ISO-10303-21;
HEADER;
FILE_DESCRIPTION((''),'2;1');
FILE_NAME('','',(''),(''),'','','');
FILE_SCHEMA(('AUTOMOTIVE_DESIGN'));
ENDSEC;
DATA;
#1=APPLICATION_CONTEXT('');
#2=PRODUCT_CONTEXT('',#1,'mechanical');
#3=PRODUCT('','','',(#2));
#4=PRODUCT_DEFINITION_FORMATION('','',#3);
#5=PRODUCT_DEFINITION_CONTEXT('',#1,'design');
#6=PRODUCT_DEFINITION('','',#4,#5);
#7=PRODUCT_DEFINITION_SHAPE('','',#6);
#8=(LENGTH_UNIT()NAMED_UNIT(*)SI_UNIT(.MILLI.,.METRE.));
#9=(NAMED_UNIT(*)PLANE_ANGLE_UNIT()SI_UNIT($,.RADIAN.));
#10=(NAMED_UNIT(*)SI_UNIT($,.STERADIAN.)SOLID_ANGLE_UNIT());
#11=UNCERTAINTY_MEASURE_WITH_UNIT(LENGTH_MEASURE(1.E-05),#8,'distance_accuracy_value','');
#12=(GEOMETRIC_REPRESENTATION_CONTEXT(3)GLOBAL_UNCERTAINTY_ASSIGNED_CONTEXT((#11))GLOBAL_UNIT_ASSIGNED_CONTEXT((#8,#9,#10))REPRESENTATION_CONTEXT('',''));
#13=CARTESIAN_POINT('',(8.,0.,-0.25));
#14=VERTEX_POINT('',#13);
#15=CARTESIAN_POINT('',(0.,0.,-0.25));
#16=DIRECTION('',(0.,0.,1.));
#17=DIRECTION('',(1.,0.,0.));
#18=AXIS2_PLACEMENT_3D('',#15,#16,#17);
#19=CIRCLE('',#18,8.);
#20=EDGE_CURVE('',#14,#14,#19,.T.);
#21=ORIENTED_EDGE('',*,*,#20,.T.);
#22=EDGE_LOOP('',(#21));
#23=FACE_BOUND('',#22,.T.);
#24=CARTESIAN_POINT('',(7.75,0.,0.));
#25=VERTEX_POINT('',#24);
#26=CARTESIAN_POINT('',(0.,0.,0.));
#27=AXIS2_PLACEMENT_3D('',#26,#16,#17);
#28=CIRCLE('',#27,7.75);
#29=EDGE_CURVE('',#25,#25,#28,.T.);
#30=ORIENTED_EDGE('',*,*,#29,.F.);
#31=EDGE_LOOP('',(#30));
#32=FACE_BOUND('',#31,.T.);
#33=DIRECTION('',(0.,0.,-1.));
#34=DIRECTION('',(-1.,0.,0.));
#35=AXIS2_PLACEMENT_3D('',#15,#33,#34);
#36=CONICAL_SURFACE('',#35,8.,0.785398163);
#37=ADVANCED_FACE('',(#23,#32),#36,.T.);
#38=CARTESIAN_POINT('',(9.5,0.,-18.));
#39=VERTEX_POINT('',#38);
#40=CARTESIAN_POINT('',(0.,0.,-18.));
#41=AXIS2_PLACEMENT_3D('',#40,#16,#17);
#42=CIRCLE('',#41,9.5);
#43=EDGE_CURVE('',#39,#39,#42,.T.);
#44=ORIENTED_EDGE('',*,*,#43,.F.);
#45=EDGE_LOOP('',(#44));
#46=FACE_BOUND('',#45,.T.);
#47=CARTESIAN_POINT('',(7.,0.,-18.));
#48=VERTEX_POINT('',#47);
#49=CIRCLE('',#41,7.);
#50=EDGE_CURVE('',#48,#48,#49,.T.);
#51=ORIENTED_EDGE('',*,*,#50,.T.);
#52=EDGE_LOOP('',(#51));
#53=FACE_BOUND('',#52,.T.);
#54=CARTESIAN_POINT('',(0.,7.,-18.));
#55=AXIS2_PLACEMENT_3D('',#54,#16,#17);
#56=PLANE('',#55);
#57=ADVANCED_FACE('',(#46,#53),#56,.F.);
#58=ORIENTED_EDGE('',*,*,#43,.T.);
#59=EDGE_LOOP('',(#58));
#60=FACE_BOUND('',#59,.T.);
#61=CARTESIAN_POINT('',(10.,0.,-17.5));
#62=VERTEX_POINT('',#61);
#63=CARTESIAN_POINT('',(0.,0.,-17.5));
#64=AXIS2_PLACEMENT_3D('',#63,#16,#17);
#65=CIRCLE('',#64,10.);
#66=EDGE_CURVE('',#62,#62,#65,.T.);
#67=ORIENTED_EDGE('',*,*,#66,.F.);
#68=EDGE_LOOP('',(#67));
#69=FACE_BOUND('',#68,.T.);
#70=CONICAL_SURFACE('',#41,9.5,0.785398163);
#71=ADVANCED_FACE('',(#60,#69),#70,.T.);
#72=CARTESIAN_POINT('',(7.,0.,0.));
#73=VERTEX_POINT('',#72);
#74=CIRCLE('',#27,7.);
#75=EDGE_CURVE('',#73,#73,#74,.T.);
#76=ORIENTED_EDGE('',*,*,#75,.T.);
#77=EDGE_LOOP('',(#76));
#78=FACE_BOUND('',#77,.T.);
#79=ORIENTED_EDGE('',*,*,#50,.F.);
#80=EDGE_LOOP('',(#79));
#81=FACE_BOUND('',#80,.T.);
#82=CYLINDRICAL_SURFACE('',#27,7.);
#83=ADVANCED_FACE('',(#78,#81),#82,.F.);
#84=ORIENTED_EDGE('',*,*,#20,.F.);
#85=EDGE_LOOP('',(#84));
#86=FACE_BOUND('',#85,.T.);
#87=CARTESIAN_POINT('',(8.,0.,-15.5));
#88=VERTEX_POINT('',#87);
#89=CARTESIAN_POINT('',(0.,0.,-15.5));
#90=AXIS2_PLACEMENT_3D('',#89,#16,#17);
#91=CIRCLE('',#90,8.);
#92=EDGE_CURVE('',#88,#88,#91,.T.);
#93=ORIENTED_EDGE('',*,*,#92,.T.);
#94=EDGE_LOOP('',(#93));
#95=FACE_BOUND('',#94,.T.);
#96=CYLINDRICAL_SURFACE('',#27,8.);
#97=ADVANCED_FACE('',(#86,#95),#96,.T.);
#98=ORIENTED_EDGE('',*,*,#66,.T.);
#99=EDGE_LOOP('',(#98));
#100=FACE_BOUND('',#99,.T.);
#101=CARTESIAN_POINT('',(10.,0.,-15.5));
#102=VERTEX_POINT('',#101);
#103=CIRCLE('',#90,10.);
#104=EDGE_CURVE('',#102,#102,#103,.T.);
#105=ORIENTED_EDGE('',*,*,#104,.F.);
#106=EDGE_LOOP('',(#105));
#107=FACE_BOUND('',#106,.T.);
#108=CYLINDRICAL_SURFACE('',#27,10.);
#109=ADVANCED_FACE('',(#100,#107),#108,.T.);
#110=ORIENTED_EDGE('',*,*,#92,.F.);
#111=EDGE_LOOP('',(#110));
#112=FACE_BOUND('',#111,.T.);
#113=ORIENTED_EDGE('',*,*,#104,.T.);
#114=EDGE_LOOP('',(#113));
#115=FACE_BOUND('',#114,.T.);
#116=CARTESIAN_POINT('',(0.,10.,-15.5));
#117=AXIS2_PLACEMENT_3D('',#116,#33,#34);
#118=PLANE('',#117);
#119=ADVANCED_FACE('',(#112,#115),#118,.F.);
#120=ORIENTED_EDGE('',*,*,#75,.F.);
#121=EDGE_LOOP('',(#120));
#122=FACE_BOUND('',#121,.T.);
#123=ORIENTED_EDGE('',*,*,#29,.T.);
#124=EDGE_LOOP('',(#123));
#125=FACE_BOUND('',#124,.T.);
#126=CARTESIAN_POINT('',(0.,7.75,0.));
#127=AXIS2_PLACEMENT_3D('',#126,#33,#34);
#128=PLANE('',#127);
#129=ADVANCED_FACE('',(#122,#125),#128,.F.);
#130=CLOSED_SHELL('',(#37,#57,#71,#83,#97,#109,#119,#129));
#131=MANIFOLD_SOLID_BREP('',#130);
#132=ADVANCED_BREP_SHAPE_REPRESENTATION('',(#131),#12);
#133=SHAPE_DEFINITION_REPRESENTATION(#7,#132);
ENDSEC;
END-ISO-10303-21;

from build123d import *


with BuildPart() as part:
    # Sketch1 → Revolve1 (revolve)
    with BuildSketch(Plane(origin=(0, 0, 0), x_dir=(0, 0, -1), z_dir=(1, 0, 0))):
        Polygon((0, 7), (18, 7), (18, 9.5), (17.5, 10), (15.5, 10), (15.5, 8), (0.25, 8), (0, 7.75), align=None)
    revolve(axis=Axis((0, 0, 0), (0, 0, -1)))


solid = part.part
